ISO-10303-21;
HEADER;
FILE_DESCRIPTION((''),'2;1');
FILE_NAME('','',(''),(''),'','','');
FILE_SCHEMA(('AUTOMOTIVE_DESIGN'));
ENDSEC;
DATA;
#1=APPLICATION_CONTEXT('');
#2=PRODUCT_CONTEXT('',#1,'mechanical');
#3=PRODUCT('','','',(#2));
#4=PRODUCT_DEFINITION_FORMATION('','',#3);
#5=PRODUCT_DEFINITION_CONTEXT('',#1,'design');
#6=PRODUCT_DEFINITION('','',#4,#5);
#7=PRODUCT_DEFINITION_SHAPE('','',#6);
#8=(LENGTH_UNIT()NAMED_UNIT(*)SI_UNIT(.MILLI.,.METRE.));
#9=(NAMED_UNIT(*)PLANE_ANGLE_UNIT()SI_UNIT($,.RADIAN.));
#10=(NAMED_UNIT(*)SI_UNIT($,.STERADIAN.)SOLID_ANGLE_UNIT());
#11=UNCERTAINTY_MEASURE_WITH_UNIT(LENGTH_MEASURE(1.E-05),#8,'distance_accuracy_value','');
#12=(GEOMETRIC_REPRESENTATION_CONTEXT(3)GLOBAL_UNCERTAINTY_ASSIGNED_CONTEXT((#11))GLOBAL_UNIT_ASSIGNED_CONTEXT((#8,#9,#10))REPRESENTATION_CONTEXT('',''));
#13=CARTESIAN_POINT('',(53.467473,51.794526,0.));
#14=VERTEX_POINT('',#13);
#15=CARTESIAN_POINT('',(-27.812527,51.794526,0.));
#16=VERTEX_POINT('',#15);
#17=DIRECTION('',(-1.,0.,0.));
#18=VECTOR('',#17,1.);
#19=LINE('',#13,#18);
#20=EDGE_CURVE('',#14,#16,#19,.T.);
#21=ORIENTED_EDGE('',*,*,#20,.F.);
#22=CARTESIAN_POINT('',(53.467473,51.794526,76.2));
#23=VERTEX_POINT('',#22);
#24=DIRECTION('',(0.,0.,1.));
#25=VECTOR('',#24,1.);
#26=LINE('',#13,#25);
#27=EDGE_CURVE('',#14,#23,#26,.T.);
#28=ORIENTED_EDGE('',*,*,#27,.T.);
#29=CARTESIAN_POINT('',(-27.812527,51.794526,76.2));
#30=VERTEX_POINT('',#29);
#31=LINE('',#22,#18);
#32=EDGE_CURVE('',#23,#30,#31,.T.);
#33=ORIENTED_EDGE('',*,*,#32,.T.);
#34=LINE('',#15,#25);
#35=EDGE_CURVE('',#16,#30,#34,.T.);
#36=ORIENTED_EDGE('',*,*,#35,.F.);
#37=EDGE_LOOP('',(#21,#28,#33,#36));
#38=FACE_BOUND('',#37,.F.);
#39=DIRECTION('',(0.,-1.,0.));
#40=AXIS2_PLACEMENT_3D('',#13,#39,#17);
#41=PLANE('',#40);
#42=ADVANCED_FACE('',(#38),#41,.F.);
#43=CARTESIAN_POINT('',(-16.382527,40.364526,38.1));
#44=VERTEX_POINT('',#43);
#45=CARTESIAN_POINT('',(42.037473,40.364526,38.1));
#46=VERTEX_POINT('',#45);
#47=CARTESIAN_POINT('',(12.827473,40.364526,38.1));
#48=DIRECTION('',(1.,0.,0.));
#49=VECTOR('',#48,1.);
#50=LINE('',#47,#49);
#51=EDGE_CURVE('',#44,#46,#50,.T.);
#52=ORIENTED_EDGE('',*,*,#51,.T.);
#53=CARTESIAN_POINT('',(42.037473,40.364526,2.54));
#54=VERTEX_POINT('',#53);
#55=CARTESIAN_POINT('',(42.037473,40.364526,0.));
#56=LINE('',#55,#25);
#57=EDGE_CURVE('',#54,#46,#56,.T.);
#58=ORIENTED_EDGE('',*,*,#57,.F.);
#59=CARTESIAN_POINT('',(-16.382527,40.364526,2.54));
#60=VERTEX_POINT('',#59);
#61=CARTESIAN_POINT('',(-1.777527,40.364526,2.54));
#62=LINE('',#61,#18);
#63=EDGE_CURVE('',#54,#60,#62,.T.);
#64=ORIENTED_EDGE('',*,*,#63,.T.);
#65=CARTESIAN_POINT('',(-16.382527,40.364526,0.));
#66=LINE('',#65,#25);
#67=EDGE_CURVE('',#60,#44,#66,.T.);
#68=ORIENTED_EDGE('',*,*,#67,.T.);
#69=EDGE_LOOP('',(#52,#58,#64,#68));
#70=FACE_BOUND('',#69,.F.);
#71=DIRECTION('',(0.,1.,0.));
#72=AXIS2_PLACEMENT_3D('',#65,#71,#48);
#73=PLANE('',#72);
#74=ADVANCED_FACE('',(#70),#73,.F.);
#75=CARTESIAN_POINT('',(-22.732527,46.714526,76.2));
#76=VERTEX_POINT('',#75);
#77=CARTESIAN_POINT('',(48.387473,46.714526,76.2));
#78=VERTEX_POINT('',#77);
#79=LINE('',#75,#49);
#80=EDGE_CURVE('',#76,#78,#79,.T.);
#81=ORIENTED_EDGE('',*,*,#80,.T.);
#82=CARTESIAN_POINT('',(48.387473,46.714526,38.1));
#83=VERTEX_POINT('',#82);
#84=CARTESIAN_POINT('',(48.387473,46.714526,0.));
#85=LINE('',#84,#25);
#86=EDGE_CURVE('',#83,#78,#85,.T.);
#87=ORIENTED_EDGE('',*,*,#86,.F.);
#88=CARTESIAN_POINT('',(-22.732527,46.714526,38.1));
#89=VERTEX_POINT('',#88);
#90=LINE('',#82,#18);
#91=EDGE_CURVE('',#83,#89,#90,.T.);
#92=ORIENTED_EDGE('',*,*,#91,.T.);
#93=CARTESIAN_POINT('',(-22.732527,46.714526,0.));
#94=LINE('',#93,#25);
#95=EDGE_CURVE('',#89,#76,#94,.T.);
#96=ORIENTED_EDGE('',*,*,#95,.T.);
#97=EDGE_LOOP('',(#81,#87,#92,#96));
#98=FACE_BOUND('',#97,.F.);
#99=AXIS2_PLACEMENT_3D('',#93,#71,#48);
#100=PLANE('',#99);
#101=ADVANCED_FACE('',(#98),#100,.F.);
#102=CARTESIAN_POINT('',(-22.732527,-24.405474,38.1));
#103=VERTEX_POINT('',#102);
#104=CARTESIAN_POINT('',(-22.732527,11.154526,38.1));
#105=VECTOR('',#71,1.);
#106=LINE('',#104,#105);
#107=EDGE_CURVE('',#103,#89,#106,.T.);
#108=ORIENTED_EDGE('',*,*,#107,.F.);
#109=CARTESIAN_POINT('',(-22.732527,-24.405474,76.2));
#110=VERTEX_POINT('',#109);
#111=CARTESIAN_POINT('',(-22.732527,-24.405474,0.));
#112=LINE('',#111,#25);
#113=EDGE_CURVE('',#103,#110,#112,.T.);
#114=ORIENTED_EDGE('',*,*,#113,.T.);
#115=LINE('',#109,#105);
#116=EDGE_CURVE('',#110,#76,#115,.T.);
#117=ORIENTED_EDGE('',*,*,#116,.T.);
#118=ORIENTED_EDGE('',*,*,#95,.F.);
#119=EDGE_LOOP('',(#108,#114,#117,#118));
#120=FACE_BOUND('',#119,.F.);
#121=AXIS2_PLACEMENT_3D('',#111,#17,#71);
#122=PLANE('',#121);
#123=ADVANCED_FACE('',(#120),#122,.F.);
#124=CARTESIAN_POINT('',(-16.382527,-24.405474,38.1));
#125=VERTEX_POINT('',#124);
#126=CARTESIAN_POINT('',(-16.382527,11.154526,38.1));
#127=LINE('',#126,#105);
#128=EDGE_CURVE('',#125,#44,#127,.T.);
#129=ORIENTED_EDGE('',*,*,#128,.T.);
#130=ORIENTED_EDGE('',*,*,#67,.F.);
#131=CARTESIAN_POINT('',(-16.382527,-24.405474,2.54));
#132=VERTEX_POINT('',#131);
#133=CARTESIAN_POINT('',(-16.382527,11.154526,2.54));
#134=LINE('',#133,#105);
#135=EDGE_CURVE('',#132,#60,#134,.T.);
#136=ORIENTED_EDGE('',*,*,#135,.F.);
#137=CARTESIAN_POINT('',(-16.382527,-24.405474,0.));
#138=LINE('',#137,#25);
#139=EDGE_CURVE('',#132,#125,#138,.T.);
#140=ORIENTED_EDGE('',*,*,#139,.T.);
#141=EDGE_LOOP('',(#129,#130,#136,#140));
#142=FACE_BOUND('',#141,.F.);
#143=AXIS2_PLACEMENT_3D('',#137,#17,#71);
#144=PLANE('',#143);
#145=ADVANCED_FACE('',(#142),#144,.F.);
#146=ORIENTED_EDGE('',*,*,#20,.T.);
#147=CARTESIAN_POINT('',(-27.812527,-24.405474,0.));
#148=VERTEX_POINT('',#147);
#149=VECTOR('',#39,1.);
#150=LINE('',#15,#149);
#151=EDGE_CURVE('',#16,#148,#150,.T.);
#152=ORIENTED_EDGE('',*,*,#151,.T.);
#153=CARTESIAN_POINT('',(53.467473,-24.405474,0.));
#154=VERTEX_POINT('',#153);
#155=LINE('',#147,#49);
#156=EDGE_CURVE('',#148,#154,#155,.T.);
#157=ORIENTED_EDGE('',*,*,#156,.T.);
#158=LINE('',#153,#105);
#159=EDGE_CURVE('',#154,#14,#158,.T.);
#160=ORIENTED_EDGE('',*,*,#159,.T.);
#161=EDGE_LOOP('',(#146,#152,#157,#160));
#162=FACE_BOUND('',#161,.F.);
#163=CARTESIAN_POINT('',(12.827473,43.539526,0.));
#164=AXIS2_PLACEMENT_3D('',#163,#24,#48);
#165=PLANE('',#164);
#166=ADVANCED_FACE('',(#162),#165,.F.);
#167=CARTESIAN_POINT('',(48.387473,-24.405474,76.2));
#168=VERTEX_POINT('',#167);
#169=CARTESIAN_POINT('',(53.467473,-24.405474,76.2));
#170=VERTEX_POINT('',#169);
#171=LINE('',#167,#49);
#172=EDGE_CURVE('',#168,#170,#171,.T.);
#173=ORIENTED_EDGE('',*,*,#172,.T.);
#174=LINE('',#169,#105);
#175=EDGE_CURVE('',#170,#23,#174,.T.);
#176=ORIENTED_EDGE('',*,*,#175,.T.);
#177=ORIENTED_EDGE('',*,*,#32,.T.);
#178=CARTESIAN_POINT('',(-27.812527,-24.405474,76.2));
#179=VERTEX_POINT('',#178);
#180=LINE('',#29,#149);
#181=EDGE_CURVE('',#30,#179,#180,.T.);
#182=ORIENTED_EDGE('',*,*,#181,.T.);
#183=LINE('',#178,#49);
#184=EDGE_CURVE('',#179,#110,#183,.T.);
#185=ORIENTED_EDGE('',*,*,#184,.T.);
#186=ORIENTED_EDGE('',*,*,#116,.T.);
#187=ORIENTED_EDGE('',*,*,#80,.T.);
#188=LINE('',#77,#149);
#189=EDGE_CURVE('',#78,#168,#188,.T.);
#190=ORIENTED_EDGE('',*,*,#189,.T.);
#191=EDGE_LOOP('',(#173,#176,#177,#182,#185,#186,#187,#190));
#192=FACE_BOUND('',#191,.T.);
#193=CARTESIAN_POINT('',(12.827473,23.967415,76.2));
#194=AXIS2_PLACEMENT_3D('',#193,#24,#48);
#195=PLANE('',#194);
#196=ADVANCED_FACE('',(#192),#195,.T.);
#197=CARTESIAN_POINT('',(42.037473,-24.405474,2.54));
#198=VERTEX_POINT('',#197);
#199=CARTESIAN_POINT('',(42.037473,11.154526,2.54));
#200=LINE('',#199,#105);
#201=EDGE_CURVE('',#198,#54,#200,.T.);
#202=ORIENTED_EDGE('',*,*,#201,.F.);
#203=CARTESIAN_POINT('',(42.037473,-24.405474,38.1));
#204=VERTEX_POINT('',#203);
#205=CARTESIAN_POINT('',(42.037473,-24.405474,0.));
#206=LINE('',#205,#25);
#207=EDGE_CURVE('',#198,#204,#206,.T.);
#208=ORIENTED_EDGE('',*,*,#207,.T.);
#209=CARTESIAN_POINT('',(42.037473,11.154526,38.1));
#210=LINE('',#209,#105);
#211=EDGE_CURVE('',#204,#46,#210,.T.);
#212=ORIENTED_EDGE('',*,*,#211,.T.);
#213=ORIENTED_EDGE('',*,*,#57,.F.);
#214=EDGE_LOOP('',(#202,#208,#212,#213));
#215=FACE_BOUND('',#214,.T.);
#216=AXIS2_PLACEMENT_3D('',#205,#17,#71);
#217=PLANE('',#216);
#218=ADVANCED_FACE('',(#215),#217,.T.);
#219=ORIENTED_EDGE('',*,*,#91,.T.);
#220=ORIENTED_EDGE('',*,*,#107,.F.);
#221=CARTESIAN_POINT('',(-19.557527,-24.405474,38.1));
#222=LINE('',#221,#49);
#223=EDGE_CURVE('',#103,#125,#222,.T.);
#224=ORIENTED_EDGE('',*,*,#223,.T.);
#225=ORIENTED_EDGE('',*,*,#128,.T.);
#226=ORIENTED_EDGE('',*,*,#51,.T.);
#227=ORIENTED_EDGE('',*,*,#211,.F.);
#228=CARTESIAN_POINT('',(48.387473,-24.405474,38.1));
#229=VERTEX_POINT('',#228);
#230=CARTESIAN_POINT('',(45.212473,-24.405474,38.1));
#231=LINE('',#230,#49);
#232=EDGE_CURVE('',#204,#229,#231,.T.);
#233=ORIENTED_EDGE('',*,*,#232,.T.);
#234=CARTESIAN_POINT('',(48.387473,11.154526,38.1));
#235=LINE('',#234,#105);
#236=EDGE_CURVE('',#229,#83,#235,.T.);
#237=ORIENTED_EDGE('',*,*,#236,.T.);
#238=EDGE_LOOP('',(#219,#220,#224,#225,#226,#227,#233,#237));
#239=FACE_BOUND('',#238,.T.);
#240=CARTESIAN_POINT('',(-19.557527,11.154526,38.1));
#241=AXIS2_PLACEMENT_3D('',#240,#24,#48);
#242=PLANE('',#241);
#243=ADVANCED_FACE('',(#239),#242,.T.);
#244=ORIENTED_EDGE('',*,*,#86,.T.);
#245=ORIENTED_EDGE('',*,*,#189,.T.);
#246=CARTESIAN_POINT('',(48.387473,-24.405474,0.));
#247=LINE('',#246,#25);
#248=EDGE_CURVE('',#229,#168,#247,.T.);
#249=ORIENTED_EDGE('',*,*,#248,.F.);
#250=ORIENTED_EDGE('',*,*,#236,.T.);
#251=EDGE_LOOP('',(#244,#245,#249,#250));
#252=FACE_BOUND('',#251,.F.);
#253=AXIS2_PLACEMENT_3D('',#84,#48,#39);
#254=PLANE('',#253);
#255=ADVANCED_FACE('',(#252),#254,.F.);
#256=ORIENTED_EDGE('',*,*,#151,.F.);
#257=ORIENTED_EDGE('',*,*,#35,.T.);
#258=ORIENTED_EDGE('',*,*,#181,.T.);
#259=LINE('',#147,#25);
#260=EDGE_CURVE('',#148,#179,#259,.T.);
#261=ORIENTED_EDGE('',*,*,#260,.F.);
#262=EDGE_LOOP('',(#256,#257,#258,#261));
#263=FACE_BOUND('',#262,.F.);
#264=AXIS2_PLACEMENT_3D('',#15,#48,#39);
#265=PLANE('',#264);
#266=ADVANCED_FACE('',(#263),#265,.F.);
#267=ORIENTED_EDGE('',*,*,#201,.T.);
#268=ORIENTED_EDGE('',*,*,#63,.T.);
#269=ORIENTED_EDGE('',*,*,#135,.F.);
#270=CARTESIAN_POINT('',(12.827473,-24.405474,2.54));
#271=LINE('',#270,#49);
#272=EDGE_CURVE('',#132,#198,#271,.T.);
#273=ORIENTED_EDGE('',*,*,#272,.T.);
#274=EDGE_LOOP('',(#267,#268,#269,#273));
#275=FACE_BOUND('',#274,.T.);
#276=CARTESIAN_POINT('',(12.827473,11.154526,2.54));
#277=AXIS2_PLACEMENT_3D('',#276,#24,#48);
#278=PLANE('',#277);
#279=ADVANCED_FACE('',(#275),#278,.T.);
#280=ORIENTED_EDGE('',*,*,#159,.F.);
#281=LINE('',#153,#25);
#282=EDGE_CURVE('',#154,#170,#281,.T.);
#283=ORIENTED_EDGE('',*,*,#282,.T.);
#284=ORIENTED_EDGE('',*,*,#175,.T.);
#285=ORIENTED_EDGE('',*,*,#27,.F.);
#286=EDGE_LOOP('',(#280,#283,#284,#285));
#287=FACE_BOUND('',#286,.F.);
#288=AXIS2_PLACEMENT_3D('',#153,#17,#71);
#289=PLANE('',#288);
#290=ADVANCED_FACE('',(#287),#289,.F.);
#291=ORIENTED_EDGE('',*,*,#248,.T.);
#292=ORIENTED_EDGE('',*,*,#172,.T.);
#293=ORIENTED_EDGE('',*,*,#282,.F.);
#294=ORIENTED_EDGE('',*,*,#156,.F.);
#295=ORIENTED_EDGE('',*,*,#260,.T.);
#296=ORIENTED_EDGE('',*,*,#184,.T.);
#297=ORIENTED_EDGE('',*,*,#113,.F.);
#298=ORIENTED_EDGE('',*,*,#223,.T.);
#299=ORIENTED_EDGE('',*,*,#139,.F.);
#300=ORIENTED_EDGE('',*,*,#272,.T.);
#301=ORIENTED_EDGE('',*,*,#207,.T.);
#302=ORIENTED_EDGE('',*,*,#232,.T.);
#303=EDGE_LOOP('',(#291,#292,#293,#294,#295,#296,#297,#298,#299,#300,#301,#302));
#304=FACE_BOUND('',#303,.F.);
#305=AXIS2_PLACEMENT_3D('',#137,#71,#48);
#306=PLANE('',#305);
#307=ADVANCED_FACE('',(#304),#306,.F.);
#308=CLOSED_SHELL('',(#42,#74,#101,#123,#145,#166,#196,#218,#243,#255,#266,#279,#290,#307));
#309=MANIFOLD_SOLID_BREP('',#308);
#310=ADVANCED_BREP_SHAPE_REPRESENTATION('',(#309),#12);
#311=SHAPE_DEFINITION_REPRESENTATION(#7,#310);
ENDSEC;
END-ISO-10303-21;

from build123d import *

# Parameters (mm, degrees)
F1_DEPTH = 76.2
F2_W     = 6.35
F2_H     = 71.12
F3_DEPTH = 38.1
F4_W     = 58.42
F4_H     = 71.12
F5_DEPTH = 2.54
F6_W     = 58.42
F6_H     = 6.35
F7_DEPTH = 38.1


with BuildPart() as f1:
    # F0 (on Top) → F1 (new body)
    with BuildSketch(Plane.XY):
        Polygon((-27.812527, 51.794526), (-27.812527, -24.405474), (-22.732527, -24.405474), (-22.732527, 46.714526), (48.387473, 46.714526), (48.387473, -24.405474), (53.467473, -24.405474), (53.467473, 51.794526), align=None)
    extrude(amount=F1_DEPTH)

    # F2 (on Top) → F3 (join)
    with BuildSketch(Plane.XY):
        with Locations((-19.557527, 11.154526)):
            Rectangle(F2_W, F2_H)
        with Locations((45.212473, 11.154526)):
            Rectangle(F2_W, F2_H)
    extrude(amount=F3_DEPTH)

    # F4 (on Top) → F5 (join)
    with BuildSketch(Plane.XY):
        with Locations((12.827473, 11.154526)):
            Rectangle(F4_W, F4_H)
    extrude(amount=F5_DEPTH)

    # F6 (on Top) → F7 (join)
    with BuildSketch(Plane.XY):
        with Locations((12.827473, 43.539526)):
            Rectangle(F6_W, F6_H)
    extrude(amount=F7_DEPTH)


solid = f1.part
